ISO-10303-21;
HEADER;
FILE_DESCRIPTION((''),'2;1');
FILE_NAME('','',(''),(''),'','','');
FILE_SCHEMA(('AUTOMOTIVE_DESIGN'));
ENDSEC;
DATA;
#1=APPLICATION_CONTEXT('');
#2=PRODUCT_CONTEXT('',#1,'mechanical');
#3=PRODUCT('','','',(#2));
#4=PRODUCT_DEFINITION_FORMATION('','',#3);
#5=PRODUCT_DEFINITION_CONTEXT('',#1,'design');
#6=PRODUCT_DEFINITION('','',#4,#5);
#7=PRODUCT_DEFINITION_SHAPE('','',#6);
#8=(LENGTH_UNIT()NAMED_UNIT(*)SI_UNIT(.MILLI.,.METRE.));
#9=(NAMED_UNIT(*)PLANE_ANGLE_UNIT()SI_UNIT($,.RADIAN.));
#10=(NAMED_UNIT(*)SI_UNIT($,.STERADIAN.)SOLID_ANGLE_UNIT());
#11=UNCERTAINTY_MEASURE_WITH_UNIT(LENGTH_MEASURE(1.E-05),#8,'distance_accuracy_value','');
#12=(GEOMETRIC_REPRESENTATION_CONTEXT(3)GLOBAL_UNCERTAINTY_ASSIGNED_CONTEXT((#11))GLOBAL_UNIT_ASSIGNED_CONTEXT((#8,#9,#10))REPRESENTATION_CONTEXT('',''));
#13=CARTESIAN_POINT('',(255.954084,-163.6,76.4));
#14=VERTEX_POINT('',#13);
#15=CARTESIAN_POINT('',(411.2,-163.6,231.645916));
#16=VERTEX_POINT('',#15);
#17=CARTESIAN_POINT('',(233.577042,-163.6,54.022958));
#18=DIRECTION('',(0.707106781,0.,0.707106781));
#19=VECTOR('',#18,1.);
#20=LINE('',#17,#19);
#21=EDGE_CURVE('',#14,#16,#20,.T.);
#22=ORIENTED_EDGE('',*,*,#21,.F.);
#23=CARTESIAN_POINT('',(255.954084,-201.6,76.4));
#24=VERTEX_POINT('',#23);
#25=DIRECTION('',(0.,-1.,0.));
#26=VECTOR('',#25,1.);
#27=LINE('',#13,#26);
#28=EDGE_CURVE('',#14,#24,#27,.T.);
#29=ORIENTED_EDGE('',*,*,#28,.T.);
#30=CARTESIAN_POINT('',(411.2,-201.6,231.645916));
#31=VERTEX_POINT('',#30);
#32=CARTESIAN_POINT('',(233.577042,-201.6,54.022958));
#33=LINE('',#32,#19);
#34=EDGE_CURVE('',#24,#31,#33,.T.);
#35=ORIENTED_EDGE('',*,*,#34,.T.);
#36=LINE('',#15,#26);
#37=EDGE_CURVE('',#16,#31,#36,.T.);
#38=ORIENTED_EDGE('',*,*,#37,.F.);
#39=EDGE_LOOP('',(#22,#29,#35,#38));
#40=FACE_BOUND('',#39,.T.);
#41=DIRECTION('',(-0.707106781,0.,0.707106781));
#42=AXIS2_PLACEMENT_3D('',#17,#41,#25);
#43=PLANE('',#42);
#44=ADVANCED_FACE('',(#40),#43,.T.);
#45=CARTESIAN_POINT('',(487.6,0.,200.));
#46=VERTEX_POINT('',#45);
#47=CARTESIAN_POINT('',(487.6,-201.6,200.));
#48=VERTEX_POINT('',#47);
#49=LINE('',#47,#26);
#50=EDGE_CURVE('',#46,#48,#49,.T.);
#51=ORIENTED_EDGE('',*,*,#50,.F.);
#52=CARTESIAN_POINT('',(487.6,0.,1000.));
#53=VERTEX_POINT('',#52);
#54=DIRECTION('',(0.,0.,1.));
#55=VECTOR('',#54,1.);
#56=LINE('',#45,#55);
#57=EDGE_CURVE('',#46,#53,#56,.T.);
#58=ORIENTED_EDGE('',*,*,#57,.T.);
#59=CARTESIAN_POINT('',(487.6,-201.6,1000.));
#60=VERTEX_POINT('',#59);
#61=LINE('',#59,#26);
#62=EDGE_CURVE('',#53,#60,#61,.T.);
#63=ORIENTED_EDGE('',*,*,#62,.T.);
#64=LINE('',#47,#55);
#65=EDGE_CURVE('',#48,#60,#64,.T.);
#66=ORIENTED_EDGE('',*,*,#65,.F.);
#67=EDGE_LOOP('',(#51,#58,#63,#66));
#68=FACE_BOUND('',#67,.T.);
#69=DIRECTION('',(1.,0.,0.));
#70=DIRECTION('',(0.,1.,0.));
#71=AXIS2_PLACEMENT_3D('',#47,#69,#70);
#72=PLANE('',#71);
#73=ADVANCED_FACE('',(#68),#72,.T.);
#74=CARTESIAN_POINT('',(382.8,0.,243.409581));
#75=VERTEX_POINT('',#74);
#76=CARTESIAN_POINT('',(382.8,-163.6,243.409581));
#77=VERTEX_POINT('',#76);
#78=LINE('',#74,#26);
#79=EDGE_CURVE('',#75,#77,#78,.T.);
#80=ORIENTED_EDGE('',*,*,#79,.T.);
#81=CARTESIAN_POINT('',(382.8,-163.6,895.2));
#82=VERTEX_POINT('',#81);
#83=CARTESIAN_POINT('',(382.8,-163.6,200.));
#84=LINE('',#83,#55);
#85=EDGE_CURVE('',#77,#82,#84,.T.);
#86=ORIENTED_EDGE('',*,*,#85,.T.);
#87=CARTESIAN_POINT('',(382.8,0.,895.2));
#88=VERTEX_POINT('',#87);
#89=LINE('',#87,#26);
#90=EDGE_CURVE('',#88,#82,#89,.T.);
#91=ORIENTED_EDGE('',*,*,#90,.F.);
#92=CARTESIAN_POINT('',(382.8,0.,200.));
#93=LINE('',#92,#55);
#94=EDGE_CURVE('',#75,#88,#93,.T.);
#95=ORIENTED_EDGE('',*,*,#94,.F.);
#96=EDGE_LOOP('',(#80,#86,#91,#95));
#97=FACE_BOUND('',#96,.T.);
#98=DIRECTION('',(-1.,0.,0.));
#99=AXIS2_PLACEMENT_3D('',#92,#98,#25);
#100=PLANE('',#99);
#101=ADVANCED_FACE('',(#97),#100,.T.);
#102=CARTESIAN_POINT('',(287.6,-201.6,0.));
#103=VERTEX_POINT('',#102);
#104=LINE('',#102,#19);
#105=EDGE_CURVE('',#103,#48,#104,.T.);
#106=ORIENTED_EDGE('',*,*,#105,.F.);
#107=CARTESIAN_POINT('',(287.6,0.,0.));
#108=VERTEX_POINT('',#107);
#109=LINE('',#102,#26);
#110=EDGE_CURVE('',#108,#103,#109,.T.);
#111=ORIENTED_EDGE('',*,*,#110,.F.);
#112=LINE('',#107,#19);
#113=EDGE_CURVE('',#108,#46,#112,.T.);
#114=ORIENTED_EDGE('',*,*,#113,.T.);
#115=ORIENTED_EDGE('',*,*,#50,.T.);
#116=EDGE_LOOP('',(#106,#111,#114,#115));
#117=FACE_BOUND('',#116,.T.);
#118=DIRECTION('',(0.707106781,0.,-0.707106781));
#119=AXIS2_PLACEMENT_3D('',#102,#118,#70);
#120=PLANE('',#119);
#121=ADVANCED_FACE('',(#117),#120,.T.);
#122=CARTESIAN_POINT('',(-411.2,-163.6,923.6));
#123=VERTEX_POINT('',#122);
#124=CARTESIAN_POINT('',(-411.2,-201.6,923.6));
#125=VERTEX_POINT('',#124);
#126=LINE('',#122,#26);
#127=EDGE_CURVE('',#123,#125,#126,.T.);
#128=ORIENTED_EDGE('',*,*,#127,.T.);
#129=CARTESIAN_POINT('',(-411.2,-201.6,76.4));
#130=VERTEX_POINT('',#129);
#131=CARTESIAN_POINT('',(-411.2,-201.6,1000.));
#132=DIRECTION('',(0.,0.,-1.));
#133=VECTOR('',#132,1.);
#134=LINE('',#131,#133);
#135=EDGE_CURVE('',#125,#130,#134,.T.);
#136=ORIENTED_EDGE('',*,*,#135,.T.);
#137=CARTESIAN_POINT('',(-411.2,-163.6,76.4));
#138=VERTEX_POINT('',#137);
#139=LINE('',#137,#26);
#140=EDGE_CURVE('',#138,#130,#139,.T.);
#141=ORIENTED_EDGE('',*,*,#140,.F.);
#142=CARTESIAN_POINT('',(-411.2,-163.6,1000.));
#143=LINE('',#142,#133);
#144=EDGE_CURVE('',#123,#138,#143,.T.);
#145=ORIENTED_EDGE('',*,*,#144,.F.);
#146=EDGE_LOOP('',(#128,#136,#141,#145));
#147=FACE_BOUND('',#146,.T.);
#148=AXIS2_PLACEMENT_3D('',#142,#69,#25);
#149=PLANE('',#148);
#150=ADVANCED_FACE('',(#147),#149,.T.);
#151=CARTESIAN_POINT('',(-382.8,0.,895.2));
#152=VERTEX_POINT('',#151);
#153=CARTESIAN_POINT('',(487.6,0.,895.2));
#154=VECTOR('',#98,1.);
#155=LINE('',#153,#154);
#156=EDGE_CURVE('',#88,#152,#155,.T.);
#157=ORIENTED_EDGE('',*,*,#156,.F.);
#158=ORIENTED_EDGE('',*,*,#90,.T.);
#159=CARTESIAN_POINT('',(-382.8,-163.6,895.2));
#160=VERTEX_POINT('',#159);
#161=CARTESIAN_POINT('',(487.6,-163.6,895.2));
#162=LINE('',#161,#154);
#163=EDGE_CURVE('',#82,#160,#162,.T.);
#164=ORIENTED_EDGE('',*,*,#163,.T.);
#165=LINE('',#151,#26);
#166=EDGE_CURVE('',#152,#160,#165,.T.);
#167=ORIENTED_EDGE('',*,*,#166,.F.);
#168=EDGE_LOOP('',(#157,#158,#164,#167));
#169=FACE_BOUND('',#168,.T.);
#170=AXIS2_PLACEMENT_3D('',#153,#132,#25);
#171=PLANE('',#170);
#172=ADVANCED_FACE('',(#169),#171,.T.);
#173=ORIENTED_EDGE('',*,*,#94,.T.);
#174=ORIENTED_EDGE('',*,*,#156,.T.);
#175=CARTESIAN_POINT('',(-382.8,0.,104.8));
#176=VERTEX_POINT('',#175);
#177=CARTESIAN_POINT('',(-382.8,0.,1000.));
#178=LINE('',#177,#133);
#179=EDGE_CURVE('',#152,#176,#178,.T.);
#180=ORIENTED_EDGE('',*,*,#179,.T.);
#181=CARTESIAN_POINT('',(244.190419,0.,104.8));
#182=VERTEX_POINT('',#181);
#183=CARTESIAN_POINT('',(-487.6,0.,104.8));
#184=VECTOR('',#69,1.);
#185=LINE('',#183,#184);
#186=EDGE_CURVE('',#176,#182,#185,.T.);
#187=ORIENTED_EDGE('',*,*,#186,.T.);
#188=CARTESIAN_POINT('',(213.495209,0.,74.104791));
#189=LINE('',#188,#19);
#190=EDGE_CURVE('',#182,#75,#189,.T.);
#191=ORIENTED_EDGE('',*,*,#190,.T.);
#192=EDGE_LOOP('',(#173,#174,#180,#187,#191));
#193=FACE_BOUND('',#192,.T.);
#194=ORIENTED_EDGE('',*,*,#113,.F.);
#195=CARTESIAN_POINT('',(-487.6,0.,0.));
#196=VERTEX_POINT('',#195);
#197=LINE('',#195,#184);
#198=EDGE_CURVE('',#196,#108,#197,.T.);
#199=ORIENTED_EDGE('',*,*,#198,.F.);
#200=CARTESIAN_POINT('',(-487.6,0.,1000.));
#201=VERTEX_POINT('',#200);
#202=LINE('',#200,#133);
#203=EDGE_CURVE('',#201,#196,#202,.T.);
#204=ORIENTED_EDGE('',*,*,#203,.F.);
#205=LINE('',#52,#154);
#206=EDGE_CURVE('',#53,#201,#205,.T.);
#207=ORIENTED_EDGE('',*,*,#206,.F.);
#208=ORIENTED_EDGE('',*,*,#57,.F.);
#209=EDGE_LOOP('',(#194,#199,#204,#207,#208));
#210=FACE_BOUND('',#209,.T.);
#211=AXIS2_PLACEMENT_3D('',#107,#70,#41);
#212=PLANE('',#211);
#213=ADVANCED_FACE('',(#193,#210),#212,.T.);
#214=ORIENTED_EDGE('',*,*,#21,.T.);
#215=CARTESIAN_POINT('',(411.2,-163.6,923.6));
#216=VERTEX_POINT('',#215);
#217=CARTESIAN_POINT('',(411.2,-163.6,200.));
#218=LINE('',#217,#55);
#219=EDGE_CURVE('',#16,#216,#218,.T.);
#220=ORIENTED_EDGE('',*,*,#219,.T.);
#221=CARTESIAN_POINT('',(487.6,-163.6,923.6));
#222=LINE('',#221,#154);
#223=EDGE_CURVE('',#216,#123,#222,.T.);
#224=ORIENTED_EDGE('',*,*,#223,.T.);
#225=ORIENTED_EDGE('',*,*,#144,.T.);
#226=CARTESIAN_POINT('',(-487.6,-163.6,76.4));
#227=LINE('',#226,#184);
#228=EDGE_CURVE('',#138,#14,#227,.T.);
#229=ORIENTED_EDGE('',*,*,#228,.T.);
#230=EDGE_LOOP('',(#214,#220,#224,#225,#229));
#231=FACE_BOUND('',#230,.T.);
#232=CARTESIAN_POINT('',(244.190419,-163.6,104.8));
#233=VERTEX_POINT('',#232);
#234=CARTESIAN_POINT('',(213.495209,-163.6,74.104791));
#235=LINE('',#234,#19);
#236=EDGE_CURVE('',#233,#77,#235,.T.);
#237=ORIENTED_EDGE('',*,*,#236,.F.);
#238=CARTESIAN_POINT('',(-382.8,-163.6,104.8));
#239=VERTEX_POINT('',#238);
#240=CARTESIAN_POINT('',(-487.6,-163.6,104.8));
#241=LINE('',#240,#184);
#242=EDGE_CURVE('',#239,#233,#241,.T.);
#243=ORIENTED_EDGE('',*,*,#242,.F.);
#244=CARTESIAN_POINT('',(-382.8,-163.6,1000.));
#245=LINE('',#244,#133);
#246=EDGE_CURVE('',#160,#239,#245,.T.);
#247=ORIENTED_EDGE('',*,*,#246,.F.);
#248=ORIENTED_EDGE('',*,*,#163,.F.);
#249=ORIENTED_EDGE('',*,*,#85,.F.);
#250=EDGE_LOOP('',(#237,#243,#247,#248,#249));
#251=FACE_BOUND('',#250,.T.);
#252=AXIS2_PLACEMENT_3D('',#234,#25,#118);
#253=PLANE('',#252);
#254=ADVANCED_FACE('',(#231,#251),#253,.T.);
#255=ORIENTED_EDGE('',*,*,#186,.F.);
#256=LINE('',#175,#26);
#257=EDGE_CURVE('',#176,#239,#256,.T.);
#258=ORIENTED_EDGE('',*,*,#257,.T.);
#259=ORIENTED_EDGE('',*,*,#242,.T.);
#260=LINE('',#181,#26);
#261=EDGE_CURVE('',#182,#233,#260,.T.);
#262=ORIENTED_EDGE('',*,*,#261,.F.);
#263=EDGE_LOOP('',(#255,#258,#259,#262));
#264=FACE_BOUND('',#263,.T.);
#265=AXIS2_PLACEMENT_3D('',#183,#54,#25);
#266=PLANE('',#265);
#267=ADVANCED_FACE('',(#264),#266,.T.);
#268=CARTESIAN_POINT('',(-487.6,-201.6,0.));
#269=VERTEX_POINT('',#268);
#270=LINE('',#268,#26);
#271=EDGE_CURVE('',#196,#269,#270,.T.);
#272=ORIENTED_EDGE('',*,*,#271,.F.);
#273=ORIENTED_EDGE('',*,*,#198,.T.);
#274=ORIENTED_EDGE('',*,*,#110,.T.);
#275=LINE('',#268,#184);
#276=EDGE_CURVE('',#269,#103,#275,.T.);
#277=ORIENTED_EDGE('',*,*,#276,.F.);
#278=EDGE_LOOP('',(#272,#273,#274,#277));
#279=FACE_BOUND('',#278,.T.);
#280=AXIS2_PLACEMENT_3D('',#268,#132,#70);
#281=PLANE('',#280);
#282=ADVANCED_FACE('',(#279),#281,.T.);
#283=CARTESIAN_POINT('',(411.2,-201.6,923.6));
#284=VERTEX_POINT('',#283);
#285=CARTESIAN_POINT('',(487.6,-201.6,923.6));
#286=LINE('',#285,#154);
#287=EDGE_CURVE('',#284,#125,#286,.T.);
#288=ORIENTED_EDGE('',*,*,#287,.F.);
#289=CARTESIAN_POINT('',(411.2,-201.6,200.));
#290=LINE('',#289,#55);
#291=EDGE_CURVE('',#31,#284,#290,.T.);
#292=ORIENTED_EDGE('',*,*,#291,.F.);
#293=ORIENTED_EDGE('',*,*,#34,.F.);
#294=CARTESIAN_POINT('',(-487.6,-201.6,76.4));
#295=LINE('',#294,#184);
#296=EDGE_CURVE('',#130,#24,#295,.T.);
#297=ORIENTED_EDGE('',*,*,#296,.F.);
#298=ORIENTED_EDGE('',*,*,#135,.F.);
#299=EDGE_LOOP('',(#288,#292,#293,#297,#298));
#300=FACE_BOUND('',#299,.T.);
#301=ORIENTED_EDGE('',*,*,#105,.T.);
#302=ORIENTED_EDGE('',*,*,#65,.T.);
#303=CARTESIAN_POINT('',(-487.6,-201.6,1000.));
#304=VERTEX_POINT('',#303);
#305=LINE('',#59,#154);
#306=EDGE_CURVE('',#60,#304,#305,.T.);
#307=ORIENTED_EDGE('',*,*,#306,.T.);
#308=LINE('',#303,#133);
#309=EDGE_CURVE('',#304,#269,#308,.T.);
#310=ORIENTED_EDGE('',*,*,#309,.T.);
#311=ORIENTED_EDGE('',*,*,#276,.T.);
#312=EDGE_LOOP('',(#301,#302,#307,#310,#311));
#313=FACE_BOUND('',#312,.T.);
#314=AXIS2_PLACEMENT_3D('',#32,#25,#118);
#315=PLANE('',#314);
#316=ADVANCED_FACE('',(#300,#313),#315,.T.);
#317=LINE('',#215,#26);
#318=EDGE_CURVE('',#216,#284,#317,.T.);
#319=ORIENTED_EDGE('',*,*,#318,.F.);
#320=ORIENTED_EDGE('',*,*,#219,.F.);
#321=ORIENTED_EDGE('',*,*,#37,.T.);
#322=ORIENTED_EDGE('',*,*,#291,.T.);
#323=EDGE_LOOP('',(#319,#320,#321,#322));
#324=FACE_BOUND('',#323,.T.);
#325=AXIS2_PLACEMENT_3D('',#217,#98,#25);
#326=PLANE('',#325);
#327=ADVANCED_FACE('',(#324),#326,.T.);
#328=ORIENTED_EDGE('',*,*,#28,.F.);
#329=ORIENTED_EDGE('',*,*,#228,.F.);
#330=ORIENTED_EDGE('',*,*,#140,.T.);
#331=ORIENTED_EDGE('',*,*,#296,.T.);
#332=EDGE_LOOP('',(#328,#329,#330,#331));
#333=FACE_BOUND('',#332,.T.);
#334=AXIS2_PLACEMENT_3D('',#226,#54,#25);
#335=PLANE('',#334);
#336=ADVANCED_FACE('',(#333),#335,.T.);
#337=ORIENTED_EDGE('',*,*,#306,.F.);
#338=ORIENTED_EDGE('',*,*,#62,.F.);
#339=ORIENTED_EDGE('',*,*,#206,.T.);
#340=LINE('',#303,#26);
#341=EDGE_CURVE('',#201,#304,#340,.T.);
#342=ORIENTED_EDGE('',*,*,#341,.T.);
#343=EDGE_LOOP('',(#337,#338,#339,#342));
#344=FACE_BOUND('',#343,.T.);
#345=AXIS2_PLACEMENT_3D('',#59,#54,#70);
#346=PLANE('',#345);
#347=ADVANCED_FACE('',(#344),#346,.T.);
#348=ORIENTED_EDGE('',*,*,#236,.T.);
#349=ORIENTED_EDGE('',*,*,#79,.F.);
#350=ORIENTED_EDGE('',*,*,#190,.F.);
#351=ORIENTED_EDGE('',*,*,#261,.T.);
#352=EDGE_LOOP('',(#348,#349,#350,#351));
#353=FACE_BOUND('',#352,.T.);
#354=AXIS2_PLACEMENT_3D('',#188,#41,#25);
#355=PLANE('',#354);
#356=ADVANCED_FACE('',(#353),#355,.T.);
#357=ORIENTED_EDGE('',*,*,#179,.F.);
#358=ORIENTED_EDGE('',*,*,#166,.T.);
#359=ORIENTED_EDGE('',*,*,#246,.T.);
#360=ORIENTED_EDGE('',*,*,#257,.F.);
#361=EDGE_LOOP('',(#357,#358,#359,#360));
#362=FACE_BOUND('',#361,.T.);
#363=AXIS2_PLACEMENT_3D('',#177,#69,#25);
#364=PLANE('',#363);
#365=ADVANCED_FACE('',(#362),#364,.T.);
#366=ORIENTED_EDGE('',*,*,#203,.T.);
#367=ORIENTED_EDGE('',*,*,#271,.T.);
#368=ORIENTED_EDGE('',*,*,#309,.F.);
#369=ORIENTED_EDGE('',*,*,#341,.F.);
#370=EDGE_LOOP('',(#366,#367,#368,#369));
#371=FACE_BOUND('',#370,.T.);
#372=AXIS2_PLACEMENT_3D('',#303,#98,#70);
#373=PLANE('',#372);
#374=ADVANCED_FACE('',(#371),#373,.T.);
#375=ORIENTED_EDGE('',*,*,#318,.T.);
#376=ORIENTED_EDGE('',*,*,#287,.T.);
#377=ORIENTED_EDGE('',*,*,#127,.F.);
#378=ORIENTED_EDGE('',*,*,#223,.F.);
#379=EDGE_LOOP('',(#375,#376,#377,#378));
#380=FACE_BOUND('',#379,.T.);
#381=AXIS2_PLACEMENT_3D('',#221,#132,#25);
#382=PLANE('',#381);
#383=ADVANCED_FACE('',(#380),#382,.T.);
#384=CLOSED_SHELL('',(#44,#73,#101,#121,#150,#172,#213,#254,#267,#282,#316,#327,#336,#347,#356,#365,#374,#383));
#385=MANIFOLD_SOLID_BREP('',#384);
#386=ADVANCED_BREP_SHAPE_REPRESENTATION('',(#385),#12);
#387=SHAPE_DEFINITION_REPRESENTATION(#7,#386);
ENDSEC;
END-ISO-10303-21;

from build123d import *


with BuildPart() as f2:
    # F2: sweep along a path in F1
    with BuildLine(Plane.XZ) as f2_path:
        Line((0, 0), (287.6, 0))
        Line((287.6, 0), (487.6, 200))
        Line((487.6, 200), (487.6, 1000))
        Line((487.6, 1000), (-487.6, 1000))
        Line((-487.6, 1000), (-487.6, 0))
        Line((-487.6, 0), (0, 0))
    # F0 (on Right) → F2 (sweep)
    with BuildSketch(Plane.YZ):
        Polygon((-163.6, 76.4), (-201.6, 76.4), (-201.6, 0), (0, 0), (0, 104.8), (-163.6, 104.8), align=None)
    sweep(path=f2_path.line, transition=Transition.RIGHT)


solid = f2.part
